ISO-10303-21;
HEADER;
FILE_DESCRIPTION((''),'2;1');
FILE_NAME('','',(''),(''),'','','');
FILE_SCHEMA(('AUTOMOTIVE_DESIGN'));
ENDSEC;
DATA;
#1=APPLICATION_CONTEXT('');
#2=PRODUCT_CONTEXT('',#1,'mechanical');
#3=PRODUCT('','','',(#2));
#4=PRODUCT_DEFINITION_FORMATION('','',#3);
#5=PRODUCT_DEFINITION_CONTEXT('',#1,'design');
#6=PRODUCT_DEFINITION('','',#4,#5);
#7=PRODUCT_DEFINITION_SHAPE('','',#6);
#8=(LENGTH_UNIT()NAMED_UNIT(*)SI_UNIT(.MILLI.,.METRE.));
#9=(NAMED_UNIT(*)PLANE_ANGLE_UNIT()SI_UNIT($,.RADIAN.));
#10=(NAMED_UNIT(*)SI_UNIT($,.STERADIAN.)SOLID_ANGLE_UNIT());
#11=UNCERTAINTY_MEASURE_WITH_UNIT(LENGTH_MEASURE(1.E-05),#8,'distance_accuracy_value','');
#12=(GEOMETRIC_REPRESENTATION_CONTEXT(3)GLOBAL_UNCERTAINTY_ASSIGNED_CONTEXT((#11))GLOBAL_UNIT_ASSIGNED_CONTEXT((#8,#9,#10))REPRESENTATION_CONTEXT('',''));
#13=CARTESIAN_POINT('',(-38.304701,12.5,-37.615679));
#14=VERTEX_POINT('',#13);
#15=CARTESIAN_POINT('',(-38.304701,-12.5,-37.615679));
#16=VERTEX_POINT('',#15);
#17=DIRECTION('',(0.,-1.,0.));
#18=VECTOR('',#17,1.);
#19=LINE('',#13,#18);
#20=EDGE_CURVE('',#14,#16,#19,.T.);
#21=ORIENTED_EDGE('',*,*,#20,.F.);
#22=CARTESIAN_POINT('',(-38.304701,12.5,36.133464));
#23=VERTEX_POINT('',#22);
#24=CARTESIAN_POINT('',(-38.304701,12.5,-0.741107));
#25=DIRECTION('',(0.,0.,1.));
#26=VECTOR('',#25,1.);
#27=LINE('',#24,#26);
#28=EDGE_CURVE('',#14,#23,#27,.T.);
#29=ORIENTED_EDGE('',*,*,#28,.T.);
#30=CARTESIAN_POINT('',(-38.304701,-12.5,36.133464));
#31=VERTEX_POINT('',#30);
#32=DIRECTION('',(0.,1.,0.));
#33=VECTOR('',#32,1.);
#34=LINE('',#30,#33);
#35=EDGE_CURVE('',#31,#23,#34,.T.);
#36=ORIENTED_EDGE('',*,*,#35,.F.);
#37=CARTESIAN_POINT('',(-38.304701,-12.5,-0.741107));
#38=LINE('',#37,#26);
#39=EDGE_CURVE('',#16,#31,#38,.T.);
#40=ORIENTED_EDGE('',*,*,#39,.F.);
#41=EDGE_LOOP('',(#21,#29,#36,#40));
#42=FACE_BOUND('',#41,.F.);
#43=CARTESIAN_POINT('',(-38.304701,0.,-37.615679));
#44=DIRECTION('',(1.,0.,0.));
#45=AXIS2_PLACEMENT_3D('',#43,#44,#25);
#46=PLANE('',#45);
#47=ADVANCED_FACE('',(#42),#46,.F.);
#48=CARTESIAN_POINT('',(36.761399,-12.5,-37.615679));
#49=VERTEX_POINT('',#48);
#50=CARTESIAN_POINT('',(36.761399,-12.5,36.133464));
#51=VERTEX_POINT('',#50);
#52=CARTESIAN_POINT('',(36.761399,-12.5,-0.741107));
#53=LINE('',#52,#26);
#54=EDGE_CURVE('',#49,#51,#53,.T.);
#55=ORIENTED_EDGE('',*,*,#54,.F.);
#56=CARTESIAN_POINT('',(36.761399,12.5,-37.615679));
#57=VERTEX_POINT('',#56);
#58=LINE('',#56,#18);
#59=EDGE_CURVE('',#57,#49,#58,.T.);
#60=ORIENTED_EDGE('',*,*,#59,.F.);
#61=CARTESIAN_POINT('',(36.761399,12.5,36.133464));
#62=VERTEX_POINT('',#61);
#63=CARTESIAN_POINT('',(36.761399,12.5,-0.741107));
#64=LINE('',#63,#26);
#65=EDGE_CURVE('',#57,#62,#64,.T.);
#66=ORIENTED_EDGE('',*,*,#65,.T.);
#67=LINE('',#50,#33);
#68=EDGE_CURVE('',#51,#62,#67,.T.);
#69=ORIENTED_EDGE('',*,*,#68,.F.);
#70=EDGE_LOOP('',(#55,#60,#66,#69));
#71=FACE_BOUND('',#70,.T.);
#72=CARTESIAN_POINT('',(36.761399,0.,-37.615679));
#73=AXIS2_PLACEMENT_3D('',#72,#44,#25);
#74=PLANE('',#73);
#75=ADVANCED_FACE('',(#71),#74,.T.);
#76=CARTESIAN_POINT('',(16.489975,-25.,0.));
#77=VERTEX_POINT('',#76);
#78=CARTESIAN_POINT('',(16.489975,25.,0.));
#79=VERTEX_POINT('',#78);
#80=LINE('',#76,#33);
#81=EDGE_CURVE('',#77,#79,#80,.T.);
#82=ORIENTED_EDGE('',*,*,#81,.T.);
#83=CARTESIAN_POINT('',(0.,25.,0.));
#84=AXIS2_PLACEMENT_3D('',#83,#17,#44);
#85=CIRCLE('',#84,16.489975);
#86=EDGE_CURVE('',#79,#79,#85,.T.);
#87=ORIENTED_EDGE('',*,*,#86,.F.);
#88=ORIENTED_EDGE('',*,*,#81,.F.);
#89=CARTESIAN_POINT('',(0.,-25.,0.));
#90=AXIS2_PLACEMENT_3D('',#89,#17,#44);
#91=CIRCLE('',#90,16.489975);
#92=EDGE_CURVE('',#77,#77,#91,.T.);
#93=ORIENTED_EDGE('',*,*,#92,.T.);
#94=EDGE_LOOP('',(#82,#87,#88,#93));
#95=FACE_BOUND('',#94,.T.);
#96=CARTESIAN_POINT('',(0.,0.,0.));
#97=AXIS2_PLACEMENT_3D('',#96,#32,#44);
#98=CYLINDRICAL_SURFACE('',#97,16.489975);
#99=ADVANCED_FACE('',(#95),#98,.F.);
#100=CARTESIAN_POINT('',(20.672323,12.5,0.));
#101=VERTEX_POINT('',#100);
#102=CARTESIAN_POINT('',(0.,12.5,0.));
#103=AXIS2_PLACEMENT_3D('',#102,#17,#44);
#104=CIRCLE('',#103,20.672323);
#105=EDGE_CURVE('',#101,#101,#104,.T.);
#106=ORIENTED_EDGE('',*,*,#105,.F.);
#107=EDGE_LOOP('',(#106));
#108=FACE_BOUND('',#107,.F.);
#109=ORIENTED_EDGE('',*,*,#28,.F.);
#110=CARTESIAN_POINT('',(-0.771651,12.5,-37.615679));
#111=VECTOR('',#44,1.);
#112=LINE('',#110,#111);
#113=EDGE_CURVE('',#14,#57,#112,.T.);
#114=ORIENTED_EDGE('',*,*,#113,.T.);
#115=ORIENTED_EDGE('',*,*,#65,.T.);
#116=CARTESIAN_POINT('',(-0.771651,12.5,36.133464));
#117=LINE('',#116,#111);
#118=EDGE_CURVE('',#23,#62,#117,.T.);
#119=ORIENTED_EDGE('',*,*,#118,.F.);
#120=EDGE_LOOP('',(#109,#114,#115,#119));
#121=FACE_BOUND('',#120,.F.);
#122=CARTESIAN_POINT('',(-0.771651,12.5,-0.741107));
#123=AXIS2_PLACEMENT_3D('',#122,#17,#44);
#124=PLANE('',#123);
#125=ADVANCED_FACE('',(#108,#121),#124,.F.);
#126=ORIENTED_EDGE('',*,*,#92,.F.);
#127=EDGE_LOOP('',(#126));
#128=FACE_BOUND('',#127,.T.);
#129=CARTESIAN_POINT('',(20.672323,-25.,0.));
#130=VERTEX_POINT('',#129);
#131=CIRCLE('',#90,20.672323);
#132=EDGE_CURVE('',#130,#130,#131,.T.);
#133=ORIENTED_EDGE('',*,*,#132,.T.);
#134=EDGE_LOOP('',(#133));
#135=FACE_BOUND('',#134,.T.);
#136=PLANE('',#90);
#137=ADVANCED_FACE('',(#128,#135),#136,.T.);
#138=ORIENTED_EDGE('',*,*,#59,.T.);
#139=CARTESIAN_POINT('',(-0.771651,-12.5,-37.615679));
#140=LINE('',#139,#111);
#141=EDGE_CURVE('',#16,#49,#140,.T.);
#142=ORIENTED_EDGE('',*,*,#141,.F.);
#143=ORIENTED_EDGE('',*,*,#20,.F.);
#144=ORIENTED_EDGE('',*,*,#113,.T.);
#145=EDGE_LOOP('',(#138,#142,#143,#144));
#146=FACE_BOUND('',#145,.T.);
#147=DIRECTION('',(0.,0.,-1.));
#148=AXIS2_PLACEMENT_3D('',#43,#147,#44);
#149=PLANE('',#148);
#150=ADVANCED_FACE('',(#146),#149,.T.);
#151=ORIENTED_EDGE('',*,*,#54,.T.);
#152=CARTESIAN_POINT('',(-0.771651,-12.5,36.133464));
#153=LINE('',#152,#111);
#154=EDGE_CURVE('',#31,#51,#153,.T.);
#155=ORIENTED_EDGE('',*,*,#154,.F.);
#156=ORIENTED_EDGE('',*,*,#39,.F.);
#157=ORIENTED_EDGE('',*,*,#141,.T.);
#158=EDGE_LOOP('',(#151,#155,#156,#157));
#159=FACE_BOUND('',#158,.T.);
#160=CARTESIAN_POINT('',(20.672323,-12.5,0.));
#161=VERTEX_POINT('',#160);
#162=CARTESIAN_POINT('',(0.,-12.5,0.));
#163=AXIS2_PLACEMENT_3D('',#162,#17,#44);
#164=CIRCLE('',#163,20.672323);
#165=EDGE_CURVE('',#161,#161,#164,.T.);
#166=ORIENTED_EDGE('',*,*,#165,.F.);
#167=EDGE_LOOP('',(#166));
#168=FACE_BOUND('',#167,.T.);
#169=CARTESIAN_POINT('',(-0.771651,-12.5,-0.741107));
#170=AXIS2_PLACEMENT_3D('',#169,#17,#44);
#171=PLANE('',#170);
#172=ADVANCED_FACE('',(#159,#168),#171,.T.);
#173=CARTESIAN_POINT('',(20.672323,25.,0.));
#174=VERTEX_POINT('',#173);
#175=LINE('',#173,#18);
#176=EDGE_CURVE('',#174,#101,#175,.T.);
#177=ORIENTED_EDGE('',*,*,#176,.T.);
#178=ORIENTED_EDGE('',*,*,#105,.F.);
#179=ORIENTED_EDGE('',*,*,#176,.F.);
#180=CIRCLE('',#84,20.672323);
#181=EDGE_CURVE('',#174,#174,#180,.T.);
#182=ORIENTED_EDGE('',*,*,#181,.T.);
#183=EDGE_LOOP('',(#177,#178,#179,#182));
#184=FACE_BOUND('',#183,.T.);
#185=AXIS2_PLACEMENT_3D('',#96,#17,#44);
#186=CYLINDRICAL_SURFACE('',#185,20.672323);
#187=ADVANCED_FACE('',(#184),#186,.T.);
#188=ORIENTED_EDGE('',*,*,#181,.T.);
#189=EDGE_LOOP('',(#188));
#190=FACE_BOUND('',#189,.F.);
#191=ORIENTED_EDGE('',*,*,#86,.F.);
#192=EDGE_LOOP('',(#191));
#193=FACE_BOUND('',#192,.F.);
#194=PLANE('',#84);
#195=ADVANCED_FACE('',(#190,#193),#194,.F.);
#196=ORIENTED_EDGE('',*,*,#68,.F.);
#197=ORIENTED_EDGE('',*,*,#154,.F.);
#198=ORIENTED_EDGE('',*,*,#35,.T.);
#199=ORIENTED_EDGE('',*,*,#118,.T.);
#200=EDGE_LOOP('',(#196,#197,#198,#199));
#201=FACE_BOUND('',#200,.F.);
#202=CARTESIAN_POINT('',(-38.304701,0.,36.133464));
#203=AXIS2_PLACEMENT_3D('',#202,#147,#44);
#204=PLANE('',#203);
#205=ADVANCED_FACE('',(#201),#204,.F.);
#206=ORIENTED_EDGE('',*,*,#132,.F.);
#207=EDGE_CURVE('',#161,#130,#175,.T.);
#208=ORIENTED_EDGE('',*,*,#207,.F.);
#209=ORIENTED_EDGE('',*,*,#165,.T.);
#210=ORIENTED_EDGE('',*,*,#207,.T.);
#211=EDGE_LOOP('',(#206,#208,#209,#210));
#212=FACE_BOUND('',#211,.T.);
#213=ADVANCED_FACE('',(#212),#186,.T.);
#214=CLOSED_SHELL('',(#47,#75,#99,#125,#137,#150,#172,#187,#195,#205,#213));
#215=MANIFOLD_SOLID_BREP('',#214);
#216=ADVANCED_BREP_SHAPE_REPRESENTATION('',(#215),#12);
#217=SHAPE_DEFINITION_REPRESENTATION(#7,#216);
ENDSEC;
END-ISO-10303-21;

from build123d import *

# Parameters (mm, degrees)
F0_W     = 75.066100806
F0_H     = 73.7491436303
F0_R     = 20.5583136179
F1_DEPTH = 12.5
F2_R     = 20.672322723
F2_R_2   = 16.4899747226
F3_DEPTH = 25


with BuildPart() as f1:
    # F0 (on Front) → F1 (new body, symmetric)
    with BuildSketch(Plane.XZ):
        with Locations((-0.7716510445, -0.7411073893)):
            Rectangle(F0_W, F0_H)
        Circle(F0_R, mode=Mode.SUBTRACT)
    extrude(amount=F1_DEPTH, both=True)

    # F2 (on Front) → F3 (join, symmetric)
    with BuildSketch(Plane.XZ):
        Circle(F2_R)
        Circle(F2_R_2, mode=Mode.SUBTRACT)
    extrude(amount=F3_DEPTH, both=True)


solid = f1.part
